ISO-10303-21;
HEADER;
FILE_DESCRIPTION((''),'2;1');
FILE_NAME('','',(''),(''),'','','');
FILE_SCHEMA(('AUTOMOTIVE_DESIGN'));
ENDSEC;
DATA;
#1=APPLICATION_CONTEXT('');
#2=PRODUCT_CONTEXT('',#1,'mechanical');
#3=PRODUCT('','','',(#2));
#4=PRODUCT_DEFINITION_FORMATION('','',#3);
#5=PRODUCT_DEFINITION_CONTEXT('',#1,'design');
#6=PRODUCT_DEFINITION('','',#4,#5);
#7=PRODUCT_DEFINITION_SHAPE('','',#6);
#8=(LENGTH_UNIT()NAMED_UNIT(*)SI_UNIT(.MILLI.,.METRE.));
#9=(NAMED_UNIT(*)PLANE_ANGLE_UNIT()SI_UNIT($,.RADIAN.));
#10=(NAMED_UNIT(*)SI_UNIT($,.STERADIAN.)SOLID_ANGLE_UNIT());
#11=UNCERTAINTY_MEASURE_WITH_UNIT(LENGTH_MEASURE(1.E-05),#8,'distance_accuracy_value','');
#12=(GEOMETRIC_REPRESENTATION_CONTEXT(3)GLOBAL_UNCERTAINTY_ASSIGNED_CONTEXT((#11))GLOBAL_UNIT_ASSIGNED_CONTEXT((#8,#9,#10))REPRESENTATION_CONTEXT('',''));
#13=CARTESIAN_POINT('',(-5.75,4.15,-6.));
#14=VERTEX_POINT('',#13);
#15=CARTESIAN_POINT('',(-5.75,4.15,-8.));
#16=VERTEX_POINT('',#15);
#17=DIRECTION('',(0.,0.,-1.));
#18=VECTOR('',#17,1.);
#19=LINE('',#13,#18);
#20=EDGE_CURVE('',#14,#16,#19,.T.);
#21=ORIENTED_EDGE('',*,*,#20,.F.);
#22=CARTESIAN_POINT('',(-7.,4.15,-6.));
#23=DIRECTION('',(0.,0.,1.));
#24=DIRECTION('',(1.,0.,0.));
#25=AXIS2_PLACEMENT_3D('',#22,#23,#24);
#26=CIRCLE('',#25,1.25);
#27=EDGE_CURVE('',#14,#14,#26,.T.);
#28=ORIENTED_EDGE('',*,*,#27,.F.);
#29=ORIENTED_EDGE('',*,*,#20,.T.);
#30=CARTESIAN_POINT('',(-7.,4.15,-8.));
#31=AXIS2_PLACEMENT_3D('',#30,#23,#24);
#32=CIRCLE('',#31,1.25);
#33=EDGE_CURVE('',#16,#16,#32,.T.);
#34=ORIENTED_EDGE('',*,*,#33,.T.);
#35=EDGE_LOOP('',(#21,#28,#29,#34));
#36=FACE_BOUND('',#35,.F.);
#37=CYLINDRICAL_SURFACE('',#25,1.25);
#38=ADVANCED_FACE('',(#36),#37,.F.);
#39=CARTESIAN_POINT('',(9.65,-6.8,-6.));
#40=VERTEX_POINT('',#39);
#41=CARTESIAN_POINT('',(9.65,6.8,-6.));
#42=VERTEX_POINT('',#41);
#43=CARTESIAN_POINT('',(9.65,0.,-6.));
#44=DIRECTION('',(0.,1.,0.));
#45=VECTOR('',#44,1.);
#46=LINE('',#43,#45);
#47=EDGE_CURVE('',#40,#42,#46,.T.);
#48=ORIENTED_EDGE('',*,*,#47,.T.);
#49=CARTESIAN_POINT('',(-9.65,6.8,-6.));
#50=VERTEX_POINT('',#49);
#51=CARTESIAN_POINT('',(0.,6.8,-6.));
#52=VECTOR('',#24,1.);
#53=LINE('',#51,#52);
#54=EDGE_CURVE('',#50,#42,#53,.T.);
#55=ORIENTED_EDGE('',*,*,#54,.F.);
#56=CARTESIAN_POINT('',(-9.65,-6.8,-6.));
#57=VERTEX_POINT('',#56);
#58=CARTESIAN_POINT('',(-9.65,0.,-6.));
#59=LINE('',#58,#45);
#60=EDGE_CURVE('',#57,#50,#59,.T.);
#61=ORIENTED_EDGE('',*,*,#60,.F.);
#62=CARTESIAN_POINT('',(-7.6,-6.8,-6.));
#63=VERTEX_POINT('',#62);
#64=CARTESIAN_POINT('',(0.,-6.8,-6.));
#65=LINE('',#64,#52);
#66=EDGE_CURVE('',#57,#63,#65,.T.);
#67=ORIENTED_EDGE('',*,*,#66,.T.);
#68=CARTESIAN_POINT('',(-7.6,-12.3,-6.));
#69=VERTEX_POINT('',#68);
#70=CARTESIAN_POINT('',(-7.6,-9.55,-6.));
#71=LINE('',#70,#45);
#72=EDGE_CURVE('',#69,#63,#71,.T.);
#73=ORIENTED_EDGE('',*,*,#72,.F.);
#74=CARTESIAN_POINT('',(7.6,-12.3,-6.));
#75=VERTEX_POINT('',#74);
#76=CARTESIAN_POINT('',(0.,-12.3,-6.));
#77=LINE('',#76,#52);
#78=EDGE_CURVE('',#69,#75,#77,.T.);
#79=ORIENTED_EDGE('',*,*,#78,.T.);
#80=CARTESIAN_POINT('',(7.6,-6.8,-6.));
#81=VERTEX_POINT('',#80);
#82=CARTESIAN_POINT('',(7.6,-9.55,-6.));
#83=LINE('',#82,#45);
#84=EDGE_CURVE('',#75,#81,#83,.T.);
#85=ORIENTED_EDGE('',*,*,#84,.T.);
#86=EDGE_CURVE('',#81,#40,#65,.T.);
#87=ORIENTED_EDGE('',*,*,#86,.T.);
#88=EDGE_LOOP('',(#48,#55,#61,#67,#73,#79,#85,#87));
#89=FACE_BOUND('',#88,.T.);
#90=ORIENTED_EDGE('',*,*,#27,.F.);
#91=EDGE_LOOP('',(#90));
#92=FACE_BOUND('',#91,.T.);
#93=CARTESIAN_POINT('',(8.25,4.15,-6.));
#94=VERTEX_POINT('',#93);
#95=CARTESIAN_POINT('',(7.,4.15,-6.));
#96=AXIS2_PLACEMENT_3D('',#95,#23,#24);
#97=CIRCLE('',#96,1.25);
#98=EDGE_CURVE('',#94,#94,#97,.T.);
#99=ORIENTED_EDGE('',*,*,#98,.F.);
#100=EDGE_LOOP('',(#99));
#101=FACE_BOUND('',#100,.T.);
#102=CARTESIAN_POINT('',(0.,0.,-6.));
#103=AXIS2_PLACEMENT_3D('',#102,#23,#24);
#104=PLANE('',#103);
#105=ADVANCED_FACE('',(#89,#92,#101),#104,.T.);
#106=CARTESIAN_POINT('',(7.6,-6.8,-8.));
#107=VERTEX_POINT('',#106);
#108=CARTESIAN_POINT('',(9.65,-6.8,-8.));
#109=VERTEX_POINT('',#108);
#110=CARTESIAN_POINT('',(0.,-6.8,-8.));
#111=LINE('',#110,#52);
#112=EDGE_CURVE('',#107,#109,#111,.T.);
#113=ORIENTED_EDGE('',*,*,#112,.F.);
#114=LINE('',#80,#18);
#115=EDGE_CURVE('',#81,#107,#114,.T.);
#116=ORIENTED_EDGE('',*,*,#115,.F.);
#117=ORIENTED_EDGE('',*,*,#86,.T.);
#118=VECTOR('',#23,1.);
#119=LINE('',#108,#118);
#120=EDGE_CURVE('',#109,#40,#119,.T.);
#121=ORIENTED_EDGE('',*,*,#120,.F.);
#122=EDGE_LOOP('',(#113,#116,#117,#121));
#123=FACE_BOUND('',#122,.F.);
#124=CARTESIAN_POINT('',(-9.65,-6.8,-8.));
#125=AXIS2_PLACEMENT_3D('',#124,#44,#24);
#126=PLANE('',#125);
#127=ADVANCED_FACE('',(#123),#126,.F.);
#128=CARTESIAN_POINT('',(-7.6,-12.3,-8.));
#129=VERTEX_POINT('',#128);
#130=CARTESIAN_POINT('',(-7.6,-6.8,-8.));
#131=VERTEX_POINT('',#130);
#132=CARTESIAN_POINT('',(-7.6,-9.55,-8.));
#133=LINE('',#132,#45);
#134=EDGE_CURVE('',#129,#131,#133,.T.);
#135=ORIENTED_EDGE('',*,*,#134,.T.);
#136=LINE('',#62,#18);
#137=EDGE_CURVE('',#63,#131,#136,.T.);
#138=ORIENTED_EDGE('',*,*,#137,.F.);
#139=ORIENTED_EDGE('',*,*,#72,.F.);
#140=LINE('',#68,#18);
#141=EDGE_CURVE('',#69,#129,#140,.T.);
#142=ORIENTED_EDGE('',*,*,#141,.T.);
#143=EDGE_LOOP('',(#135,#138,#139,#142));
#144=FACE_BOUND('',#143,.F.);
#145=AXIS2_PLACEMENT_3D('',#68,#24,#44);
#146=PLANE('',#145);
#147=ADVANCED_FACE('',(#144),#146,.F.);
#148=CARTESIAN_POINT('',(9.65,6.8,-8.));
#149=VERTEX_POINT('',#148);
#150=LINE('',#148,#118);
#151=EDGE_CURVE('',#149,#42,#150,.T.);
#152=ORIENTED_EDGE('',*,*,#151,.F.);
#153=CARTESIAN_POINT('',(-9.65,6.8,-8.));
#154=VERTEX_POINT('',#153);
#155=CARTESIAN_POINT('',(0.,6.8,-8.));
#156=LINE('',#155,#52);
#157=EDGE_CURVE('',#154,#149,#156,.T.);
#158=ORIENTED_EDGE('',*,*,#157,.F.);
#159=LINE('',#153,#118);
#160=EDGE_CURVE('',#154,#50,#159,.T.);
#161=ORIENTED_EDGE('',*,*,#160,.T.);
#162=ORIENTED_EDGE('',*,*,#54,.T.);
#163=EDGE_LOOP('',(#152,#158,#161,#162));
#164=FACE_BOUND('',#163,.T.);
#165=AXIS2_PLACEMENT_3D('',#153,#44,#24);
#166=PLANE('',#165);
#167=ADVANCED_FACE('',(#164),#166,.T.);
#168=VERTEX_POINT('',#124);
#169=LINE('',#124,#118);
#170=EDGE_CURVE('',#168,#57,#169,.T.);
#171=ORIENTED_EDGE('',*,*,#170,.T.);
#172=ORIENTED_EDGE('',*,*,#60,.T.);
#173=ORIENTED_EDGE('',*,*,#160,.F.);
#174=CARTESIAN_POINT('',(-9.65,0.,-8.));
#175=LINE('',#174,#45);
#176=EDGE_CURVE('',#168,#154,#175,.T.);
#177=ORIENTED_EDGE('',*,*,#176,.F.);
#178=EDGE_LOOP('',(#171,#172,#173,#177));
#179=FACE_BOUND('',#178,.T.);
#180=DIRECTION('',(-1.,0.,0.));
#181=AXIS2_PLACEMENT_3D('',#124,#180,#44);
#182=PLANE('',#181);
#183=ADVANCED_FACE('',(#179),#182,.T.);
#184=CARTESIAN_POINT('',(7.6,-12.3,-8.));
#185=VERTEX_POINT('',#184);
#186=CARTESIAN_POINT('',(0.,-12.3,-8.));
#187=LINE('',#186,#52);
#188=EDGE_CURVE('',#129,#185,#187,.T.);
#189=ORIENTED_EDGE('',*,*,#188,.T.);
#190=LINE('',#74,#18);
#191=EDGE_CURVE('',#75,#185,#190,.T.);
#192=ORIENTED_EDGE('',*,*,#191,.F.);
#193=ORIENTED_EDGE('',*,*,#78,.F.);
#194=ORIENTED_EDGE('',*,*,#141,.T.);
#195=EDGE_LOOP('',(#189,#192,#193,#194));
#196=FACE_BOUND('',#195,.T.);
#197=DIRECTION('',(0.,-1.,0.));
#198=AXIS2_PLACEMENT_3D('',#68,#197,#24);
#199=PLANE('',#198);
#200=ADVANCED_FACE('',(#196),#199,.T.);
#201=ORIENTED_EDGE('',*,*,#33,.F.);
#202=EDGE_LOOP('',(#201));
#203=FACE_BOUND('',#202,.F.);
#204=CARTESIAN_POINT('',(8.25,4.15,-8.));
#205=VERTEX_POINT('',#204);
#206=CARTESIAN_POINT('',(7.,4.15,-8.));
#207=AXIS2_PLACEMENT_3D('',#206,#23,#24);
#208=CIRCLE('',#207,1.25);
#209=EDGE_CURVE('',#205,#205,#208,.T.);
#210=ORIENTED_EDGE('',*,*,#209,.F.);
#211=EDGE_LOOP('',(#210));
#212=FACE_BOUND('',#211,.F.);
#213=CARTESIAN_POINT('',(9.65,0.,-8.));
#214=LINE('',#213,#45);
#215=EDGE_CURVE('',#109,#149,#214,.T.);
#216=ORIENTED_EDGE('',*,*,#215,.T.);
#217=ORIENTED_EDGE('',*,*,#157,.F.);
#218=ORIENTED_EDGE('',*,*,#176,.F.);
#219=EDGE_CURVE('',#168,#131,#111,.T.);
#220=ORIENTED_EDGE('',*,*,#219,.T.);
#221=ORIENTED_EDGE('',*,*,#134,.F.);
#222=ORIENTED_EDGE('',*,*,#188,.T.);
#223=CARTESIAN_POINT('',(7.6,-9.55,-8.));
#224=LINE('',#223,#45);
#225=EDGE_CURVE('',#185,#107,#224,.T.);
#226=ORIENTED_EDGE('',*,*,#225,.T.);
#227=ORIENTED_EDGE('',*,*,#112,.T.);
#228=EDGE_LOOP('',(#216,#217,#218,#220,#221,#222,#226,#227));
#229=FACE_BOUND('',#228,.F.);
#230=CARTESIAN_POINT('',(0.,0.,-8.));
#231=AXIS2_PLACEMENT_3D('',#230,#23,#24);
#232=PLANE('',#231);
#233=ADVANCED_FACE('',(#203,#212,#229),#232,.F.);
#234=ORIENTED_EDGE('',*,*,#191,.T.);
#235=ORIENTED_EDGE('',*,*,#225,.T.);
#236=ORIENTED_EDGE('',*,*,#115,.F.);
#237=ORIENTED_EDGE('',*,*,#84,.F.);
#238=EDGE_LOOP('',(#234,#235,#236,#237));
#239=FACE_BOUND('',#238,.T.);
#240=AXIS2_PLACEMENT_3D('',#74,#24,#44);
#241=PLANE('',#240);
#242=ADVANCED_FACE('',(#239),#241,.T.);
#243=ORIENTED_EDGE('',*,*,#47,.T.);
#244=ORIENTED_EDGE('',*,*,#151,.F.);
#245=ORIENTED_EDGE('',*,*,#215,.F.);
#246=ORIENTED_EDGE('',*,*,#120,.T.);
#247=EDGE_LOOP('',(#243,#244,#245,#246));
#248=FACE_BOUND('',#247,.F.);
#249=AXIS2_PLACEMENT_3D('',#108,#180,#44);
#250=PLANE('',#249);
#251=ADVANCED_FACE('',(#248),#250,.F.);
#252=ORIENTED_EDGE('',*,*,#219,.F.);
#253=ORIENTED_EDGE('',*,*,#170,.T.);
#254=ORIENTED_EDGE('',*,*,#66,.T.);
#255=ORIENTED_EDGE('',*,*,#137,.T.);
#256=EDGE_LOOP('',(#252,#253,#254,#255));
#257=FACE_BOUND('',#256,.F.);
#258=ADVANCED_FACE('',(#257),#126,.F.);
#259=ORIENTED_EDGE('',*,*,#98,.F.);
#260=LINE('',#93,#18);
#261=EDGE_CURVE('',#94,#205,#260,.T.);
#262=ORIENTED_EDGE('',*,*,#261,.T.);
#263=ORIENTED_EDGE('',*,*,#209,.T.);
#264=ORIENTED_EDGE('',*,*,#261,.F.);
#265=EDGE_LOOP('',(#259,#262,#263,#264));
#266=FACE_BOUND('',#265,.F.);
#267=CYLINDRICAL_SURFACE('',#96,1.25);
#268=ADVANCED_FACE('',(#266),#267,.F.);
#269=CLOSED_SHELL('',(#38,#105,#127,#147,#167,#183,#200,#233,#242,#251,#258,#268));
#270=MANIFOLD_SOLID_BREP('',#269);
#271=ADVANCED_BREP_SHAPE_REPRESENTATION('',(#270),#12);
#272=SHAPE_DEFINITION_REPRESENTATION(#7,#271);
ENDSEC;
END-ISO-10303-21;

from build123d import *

# Parameters (mm, degrees)
SKETCH003_W     = 19.3
SKETCH003_H     = 13.6
PAD002_DEPTH    = 2
SKETCH004_W     = 15.2
SKETCH004_H     = 5.5
PAD003_DEPTH    = 2
SKETCH005_R     = 1.25
POCKET001_DEPTH = 5


with BuildPart() as part:
    # Sketch003 → Pad002 (new body)
    with BuildSketch(Plane.XY):
        Rectangle(SKETCH003_W, SKETCH003_H)
    extrude(amount=PAD002_DEPTH)

    # Sketch004 (on Face6 of Pad002) → Pad003 (join)
    with BuildSketch(Plane.XY.offset(2)):
        with Locations((0, -9.55)):
            Rectangle(SKETCH004_W, SKETCH004_H)
    extrude(amount=-PAD003_DEPTH)

    # Sketch005 (on Face5 of Pad003) → Pocket001 (cut)
    with BuildSketch(Plane.XY.offset(2)):
        with Locations((-7, 4.15)):
            Circle(SKETCH005_R)
        with Locations((7, 4.15)):
            Circle(SKETCH005_R)
    extrude(amount=-POCKET001_DEPTH, mode=Mode.SUBTRACT)


with BuildPart() as part_1:
    # Body001 placement: moved
    add(part.part.moved(Location((0, 0, -8))))


solid = part_1.part
